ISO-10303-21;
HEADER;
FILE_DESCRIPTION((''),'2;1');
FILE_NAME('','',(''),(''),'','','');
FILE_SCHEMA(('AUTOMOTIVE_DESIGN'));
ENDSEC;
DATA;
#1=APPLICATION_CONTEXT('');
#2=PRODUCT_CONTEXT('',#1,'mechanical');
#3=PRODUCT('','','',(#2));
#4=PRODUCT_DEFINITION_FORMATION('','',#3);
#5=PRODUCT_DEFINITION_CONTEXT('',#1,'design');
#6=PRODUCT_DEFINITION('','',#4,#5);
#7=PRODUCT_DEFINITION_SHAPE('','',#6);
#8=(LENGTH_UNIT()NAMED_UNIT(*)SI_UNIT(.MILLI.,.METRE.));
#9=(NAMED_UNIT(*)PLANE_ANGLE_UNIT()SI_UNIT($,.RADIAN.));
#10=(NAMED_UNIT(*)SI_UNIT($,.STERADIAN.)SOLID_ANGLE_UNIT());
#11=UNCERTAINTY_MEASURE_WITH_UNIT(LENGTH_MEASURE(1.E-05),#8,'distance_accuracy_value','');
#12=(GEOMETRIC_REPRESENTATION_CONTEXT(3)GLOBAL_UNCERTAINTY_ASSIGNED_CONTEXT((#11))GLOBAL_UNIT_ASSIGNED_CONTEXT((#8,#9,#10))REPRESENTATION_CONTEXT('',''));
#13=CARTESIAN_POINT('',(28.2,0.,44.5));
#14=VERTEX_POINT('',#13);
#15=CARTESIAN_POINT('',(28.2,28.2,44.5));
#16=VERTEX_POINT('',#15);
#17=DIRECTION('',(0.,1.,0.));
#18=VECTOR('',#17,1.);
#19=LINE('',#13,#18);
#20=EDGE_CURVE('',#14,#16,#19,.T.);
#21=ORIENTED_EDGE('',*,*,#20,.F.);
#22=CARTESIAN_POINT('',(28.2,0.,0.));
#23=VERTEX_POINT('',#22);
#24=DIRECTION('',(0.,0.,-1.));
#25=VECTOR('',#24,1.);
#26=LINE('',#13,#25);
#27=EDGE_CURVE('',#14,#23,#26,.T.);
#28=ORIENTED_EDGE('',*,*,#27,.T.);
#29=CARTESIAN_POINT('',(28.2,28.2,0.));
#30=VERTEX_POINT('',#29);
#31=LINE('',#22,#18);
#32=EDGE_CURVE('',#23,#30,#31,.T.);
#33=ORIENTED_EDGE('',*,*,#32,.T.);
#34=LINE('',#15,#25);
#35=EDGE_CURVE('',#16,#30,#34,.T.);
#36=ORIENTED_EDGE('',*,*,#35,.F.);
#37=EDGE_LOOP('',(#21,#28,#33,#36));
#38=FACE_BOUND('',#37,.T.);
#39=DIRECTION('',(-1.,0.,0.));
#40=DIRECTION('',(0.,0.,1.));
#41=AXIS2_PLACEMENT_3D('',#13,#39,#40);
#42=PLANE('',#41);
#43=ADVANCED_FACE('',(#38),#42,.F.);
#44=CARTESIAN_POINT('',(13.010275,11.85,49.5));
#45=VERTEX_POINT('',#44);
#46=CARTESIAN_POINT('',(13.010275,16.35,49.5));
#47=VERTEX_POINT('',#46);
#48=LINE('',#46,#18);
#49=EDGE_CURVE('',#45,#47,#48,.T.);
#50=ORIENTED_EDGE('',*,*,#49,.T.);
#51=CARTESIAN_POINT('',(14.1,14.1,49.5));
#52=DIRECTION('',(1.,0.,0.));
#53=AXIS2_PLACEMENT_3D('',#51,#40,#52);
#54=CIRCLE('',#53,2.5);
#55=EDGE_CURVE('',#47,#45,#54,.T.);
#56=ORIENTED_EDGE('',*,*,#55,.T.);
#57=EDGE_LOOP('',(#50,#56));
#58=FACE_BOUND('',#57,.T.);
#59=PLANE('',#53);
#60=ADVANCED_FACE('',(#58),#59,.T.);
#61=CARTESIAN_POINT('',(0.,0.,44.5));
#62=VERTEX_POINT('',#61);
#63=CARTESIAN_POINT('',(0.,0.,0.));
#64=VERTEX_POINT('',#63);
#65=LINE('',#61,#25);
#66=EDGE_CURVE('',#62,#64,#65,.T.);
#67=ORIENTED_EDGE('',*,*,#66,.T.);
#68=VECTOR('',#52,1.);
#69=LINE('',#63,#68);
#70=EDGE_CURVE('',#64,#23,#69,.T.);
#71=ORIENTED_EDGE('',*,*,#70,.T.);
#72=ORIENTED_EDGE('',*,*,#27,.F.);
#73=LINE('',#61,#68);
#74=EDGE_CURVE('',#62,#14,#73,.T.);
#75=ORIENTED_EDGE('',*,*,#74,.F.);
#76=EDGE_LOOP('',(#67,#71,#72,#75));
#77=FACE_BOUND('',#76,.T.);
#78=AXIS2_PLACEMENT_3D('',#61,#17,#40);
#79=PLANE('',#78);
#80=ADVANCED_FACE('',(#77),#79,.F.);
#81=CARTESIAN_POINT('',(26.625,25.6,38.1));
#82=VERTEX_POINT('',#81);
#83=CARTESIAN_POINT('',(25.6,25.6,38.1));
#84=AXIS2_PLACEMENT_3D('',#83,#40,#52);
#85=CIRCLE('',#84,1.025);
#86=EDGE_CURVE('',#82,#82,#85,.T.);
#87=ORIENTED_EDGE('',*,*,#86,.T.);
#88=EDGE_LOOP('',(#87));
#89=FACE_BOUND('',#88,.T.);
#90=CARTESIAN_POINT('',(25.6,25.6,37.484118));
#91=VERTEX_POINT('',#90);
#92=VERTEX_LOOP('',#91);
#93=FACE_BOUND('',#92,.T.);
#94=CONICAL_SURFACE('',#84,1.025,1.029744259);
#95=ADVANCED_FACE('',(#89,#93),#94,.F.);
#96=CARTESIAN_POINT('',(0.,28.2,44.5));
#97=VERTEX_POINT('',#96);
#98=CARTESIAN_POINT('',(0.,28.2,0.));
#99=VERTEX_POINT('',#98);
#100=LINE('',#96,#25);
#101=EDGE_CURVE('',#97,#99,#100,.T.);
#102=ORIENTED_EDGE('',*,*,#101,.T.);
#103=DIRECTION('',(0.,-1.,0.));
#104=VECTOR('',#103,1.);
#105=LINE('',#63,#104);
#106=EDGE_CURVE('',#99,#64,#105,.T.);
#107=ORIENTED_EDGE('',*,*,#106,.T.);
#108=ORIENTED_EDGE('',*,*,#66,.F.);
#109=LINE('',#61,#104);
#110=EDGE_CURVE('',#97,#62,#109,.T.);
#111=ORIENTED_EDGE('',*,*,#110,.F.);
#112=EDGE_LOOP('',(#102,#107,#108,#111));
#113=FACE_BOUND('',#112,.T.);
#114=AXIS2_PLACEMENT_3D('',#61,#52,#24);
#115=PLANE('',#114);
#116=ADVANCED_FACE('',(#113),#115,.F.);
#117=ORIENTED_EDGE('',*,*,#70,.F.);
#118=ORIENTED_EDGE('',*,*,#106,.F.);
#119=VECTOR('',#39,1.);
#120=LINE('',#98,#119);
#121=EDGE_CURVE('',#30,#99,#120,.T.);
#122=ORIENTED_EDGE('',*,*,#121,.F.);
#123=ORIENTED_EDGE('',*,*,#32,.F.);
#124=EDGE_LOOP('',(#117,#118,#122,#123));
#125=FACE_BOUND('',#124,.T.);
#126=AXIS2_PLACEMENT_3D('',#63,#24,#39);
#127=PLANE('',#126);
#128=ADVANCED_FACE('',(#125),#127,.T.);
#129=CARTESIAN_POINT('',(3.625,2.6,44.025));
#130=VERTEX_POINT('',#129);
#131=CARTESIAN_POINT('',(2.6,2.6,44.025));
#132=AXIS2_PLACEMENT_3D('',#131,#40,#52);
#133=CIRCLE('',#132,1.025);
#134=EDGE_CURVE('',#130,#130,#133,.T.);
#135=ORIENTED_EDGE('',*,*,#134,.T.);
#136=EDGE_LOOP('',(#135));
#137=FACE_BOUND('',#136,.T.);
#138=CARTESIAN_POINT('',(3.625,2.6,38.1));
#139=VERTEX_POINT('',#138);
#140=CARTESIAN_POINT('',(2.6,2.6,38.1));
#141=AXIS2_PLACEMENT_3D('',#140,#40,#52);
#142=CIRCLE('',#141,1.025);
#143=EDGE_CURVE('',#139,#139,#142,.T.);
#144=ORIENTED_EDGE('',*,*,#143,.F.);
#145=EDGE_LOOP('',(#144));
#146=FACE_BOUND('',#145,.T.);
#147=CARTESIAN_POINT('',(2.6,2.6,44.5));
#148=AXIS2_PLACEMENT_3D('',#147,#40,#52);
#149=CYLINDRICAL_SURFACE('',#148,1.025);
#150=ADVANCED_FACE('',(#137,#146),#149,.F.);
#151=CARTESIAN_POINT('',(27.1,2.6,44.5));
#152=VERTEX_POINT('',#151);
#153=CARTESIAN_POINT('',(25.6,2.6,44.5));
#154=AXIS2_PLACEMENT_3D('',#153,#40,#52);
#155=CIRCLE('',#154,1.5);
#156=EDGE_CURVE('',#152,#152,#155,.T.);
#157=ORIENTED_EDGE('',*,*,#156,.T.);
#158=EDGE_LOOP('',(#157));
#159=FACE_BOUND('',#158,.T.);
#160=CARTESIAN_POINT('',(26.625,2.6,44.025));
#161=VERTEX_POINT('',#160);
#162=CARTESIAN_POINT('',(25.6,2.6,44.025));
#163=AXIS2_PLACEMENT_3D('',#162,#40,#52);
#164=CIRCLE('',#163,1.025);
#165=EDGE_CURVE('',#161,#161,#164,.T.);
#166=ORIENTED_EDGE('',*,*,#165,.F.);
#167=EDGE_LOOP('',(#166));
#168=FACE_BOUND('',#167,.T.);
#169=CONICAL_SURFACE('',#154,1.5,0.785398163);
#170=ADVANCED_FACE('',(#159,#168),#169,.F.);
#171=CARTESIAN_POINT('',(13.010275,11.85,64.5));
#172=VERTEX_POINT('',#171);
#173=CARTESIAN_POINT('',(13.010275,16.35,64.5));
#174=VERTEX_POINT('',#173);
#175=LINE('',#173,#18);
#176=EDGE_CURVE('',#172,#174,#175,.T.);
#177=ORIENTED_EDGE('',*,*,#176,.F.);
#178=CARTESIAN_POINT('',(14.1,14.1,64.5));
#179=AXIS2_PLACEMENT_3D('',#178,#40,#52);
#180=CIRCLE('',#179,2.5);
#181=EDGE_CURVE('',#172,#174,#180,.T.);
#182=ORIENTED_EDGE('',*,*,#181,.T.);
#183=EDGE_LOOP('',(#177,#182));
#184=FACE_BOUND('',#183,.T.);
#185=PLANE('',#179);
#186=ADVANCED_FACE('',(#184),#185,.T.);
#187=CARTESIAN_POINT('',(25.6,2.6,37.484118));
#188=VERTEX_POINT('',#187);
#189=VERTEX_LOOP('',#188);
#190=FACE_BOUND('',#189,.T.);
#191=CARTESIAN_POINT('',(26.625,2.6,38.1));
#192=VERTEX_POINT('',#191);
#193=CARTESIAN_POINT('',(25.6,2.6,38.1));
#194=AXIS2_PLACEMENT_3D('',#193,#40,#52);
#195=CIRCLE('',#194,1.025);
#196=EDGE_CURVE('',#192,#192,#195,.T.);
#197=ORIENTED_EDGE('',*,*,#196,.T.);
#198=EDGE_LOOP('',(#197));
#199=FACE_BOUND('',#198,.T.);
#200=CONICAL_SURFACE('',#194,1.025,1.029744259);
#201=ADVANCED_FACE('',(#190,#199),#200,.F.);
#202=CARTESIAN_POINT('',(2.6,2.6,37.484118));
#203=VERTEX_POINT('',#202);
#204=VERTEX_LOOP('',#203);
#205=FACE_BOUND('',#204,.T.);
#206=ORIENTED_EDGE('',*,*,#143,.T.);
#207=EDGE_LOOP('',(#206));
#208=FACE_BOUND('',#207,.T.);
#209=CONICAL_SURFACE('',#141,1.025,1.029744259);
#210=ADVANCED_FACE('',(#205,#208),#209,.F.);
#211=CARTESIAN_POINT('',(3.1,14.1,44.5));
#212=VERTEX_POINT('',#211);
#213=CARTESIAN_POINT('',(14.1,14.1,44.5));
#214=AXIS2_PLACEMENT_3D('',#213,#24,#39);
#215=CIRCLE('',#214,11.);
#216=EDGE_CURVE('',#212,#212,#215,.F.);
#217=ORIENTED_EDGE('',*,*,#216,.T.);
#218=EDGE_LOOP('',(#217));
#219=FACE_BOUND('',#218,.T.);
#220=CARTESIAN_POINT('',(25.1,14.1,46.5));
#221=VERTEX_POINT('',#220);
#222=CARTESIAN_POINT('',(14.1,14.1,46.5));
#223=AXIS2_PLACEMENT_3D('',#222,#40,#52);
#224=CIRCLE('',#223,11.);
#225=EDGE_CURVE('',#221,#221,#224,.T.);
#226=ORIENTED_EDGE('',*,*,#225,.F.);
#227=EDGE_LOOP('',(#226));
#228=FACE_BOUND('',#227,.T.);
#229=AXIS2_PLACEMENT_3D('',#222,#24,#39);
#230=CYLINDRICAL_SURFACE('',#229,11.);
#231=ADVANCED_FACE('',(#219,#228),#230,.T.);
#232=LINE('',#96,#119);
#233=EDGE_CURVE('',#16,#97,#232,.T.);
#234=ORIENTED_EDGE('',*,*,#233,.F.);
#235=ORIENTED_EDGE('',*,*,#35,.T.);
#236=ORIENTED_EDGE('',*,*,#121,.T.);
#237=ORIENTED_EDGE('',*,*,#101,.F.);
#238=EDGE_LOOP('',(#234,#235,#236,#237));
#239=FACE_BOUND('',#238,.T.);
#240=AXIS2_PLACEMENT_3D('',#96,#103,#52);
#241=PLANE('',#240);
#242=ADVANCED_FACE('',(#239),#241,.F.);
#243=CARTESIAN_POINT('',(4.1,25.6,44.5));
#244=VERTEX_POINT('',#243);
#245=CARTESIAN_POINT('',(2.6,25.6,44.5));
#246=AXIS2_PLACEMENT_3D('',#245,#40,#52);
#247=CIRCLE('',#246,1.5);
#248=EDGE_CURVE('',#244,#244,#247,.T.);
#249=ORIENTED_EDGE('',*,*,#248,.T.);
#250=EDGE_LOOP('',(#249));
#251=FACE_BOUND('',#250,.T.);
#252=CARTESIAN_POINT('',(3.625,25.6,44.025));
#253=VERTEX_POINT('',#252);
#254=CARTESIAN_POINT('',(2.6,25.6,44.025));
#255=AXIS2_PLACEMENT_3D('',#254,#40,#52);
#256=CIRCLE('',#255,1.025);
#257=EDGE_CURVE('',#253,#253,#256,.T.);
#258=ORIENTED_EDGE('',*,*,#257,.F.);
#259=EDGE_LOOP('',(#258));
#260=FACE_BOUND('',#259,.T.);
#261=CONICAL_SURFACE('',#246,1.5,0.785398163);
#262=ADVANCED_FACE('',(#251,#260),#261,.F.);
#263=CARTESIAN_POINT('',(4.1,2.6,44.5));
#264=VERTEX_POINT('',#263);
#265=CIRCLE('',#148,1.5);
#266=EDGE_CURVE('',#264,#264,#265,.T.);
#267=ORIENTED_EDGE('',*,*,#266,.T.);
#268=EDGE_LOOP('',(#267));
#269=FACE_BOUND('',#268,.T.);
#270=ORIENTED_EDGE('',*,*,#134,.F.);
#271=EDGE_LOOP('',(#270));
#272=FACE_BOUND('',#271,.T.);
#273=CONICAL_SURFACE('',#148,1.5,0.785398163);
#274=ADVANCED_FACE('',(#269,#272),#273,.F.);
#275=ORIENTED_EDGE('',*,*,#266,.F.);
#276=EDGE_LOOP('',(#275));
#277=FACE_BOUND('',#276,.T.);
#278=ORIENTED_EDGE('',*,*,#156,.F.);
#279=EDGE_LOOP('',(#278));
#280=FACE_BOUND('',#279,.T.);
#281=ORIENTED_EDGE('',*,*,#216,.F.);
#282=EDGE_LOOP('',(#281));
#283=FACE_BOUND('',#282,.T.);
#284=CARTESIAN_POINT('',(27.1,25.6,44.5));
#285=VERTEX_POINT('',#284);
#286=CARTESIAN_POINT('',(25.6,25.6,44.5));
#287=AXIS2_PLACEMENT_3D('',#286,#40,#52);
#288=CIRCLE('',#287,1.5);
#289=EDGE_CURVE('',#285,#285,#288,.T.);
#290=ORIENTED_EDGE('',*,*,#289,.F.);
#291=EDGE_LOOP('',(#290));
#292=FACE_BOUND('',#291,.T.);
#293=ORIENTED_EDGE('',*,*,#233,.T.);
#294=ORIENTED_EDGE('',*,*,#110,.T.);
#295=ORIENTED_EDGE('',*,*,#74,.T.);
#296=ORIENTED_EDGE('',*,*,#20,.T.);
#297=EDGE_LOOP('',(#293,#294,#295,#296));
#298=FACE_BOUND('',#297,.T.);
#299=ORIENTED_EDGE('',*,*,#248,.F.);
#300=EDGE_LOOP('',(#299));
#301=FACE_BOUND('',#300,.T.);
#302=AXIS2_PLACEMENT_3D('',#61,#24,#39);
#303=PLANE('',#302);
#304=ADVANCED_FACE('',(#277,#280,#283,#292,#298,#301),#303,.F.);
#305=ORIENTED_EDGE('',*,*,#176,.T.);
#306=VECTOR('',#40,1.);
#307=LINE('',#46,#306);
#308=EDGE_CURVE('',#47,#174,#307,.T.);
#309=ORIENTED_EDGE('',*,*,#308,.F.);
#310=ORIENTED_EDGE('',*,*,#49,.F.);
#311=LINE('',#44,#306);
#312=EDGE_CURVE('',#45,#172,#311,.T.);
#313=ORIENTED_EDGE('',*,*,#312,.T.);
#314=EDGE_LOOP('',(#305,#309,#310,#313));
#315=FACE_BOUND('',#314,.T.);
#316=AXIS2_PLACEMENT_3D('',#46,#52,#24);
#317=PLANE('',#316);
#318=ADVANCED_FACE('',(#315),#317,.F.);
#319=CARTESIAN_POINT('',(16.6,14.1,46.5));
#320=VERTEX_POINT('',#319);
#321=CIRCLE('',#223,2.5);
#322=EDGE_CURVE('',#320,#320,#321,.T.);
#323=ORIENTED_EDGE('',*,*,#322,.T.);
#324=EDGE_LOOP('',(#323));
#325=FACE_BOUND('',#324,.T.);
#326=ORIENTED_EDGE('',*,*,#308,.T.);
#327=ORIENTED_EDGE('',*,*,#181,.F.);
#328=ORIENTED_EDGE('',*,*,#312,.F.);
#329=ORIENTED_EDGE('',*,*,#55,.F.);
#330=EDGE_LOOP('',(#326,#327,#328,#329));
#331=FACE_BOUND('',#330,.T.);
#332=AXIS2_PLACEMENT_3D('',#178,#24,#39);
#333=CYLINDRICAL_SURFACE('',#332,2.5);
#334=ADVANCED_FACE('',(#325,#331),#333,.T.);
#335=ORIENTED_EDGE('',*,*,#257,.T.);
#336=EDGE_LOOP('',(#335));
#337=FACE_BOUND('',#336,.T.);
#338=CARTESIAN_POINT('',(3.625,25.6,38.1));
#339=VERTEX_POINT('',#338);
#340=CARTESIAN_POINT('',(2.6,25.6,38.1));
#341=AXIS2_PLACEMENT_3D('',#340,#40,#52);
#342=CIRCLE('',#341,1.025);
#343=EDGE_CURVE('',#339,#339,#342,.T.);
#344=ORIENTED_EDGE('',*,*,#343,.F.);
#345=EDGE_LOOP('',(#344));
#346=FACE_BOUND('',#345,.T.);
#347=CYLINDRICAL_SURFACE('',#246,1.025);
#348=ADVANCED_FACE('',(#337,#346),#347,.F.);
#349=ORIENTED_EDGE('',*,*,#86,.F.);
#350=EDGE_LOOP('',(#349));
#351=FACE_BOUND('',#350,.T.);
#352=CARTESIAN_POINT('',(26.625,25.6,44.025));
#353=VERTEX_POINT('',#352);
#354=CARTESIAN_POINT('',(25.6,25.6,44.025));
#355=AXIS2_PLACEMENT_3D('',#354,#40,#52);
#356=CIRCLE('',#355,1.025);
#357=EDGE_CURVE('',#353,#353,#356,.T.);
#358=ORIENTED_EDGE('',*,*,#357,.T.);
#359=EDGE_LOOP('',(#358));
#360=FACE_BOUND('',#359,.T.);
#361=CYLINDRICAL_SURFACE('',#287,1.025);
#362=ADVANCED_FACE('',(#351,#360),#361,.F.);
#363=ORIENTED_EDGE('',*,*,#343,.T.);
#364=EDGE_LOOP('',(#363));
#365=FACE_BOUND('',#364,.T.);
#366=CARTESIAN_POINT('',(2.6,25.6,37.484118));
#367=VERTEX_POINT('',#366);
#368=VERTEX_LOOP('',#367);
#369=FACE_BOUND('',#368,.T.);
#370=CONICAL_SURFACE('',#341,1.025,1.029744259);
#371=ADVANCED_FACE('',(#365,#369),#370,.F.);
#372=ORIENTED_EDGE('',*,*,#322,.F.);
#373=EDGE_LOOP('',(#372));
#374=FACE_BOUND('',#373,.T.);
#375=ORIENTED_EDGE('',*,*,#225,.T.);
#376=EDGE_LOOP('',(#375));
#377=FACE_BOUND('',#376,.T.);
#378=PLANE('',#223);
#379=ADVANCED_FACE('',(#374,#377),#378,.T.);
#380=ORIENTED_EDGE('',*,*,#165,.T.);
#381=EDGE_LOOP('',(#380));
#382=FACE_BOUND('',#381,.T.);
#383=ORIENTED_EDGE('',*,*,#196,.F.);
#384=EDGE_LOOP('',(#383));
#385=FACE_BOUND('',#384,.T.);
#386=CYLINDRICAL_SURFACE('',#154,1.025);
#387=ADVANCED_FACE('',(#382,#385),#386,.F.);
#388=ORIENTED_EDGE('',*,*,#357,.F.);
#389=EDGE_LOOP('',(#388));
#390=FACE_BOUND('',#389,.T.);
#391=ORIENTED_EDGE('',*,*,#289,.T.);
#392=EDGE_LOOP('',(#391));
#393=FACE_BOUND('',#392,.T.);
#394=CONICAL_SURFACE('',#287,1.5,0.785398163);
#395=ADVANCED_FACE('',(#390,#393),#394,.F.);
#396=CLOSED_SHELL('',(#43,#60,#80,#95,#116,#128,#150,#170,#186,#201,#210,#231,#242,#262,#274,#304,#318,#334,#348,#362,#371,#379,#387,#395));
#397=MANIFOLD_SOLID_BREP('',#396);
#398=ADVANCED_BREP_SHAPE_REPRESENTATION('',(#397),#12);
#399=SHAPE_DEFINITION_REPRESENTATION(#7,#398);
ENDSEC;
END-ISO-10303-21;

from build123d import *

# Parameters (mm, degrees)
SKETCH1_W                          = 28.2
SKETCH1_H                          = 28.2
BOSS_EXTRUDE1_DEPTH                = 44.5
M2_5X0_45_TAPPED_HOLE1_D           = 2.05
M2_5X0_45_TAPPED_HOLE1_DEPTH       = 6.4
M2_5X0_45_TAPPED_HOLE1_CSINK_D     = 3
M2_5X0_45_TAPPED_HOLE1_CSINK_ANGLE = 90
M2_5X0_45_TAPPED_HOLE1_TIP         = 0.615882135
SKETCH15_R                         = 11
BOSS_EXTRUDE2_DEPTH                = 2
SKETCH16_R                         = 2.5
BOSS_EXTRUDE3_DEPTH                = 18
CUT_EXTRUDE1_DEPTH                 = 15


with BuildPart() as part:
    # Sketch1 → Boss-Extrude1 (new body)
    with BuildSketch(Plane.XY):
        with Locations((14.1, 14.1)):
            Rectangle(SKETCH1_W, SKETCH1_H)
    extrude(amount=BOSS_EXTRUDE1_DEPTH)

    # M2.5x0.45 Tapped Hole1
    with Locations(Plane.XY.offset(44.5)):
        with Locations((25.6, 2.6), (25.6, 25.6), (2.6, 2.6), (2.6, 25.6)):
            CounterSinkHole(M2_5X0_45_TAPPED_HOLE1_D / 2, M2_5X0_45_TAPPED_HOLE1_CSINK_D / 2, depth=M2_5X0_45_TAPPED_HOLE1_DEPTH, counter_sink_angle=M2_5X0_45_TAPPED_HOLE1_CSINK_ANGLE)
            with Locations((0, 0, -(M2_5X0_45_TAPPED_HOLE1_DEPTH + M2_5X0_45_TAPPED_HOLE1_TIP / 2))):  # 118° drill point
                Cone(0, M2_5X0_45_TAPPED_HOLE1_D / 2, M2_5X0_45_TAPPED_HOLE1_TIP, mode=Mode.SUBTRACT)

    # Sketch15 → Boss-Extrude2 (add)
    with BuildSketch(Plane.XY.offset(44.5)):
        with Locations((14.1, 14.1)):
            Circle(SKETCH15_R)
    extrude(amount=BOSS_EXTRUDE2_DEPTH)

    # Sketch16 → Boss-Extrude3 (add)
    with BuildSketch(Plane.XY.offset(46.5)):
        with Locations((14.1, 14.1)):
            Circle(SKETCH16_R)
    extrude(amount=BOSS_EXTRUDE3_DEPTH)

    # Sketch17 → Cut-Extrude1 (cut)
    with BuildSketch(Plane.XY.offset(64.5)):
        with BuildLine():
            Line((13.010275264, 16.35), (13.010275264, 11.85))
            ThreePointArc((13.010275264, 11.85), (11.6, 14.1), (13.010275264, 16.35))
        make_face()
    extrude(amount=-CUT_EXTRUDE1_DEPTH, mode=Mode.SUBTRACT)


solid = part.part
